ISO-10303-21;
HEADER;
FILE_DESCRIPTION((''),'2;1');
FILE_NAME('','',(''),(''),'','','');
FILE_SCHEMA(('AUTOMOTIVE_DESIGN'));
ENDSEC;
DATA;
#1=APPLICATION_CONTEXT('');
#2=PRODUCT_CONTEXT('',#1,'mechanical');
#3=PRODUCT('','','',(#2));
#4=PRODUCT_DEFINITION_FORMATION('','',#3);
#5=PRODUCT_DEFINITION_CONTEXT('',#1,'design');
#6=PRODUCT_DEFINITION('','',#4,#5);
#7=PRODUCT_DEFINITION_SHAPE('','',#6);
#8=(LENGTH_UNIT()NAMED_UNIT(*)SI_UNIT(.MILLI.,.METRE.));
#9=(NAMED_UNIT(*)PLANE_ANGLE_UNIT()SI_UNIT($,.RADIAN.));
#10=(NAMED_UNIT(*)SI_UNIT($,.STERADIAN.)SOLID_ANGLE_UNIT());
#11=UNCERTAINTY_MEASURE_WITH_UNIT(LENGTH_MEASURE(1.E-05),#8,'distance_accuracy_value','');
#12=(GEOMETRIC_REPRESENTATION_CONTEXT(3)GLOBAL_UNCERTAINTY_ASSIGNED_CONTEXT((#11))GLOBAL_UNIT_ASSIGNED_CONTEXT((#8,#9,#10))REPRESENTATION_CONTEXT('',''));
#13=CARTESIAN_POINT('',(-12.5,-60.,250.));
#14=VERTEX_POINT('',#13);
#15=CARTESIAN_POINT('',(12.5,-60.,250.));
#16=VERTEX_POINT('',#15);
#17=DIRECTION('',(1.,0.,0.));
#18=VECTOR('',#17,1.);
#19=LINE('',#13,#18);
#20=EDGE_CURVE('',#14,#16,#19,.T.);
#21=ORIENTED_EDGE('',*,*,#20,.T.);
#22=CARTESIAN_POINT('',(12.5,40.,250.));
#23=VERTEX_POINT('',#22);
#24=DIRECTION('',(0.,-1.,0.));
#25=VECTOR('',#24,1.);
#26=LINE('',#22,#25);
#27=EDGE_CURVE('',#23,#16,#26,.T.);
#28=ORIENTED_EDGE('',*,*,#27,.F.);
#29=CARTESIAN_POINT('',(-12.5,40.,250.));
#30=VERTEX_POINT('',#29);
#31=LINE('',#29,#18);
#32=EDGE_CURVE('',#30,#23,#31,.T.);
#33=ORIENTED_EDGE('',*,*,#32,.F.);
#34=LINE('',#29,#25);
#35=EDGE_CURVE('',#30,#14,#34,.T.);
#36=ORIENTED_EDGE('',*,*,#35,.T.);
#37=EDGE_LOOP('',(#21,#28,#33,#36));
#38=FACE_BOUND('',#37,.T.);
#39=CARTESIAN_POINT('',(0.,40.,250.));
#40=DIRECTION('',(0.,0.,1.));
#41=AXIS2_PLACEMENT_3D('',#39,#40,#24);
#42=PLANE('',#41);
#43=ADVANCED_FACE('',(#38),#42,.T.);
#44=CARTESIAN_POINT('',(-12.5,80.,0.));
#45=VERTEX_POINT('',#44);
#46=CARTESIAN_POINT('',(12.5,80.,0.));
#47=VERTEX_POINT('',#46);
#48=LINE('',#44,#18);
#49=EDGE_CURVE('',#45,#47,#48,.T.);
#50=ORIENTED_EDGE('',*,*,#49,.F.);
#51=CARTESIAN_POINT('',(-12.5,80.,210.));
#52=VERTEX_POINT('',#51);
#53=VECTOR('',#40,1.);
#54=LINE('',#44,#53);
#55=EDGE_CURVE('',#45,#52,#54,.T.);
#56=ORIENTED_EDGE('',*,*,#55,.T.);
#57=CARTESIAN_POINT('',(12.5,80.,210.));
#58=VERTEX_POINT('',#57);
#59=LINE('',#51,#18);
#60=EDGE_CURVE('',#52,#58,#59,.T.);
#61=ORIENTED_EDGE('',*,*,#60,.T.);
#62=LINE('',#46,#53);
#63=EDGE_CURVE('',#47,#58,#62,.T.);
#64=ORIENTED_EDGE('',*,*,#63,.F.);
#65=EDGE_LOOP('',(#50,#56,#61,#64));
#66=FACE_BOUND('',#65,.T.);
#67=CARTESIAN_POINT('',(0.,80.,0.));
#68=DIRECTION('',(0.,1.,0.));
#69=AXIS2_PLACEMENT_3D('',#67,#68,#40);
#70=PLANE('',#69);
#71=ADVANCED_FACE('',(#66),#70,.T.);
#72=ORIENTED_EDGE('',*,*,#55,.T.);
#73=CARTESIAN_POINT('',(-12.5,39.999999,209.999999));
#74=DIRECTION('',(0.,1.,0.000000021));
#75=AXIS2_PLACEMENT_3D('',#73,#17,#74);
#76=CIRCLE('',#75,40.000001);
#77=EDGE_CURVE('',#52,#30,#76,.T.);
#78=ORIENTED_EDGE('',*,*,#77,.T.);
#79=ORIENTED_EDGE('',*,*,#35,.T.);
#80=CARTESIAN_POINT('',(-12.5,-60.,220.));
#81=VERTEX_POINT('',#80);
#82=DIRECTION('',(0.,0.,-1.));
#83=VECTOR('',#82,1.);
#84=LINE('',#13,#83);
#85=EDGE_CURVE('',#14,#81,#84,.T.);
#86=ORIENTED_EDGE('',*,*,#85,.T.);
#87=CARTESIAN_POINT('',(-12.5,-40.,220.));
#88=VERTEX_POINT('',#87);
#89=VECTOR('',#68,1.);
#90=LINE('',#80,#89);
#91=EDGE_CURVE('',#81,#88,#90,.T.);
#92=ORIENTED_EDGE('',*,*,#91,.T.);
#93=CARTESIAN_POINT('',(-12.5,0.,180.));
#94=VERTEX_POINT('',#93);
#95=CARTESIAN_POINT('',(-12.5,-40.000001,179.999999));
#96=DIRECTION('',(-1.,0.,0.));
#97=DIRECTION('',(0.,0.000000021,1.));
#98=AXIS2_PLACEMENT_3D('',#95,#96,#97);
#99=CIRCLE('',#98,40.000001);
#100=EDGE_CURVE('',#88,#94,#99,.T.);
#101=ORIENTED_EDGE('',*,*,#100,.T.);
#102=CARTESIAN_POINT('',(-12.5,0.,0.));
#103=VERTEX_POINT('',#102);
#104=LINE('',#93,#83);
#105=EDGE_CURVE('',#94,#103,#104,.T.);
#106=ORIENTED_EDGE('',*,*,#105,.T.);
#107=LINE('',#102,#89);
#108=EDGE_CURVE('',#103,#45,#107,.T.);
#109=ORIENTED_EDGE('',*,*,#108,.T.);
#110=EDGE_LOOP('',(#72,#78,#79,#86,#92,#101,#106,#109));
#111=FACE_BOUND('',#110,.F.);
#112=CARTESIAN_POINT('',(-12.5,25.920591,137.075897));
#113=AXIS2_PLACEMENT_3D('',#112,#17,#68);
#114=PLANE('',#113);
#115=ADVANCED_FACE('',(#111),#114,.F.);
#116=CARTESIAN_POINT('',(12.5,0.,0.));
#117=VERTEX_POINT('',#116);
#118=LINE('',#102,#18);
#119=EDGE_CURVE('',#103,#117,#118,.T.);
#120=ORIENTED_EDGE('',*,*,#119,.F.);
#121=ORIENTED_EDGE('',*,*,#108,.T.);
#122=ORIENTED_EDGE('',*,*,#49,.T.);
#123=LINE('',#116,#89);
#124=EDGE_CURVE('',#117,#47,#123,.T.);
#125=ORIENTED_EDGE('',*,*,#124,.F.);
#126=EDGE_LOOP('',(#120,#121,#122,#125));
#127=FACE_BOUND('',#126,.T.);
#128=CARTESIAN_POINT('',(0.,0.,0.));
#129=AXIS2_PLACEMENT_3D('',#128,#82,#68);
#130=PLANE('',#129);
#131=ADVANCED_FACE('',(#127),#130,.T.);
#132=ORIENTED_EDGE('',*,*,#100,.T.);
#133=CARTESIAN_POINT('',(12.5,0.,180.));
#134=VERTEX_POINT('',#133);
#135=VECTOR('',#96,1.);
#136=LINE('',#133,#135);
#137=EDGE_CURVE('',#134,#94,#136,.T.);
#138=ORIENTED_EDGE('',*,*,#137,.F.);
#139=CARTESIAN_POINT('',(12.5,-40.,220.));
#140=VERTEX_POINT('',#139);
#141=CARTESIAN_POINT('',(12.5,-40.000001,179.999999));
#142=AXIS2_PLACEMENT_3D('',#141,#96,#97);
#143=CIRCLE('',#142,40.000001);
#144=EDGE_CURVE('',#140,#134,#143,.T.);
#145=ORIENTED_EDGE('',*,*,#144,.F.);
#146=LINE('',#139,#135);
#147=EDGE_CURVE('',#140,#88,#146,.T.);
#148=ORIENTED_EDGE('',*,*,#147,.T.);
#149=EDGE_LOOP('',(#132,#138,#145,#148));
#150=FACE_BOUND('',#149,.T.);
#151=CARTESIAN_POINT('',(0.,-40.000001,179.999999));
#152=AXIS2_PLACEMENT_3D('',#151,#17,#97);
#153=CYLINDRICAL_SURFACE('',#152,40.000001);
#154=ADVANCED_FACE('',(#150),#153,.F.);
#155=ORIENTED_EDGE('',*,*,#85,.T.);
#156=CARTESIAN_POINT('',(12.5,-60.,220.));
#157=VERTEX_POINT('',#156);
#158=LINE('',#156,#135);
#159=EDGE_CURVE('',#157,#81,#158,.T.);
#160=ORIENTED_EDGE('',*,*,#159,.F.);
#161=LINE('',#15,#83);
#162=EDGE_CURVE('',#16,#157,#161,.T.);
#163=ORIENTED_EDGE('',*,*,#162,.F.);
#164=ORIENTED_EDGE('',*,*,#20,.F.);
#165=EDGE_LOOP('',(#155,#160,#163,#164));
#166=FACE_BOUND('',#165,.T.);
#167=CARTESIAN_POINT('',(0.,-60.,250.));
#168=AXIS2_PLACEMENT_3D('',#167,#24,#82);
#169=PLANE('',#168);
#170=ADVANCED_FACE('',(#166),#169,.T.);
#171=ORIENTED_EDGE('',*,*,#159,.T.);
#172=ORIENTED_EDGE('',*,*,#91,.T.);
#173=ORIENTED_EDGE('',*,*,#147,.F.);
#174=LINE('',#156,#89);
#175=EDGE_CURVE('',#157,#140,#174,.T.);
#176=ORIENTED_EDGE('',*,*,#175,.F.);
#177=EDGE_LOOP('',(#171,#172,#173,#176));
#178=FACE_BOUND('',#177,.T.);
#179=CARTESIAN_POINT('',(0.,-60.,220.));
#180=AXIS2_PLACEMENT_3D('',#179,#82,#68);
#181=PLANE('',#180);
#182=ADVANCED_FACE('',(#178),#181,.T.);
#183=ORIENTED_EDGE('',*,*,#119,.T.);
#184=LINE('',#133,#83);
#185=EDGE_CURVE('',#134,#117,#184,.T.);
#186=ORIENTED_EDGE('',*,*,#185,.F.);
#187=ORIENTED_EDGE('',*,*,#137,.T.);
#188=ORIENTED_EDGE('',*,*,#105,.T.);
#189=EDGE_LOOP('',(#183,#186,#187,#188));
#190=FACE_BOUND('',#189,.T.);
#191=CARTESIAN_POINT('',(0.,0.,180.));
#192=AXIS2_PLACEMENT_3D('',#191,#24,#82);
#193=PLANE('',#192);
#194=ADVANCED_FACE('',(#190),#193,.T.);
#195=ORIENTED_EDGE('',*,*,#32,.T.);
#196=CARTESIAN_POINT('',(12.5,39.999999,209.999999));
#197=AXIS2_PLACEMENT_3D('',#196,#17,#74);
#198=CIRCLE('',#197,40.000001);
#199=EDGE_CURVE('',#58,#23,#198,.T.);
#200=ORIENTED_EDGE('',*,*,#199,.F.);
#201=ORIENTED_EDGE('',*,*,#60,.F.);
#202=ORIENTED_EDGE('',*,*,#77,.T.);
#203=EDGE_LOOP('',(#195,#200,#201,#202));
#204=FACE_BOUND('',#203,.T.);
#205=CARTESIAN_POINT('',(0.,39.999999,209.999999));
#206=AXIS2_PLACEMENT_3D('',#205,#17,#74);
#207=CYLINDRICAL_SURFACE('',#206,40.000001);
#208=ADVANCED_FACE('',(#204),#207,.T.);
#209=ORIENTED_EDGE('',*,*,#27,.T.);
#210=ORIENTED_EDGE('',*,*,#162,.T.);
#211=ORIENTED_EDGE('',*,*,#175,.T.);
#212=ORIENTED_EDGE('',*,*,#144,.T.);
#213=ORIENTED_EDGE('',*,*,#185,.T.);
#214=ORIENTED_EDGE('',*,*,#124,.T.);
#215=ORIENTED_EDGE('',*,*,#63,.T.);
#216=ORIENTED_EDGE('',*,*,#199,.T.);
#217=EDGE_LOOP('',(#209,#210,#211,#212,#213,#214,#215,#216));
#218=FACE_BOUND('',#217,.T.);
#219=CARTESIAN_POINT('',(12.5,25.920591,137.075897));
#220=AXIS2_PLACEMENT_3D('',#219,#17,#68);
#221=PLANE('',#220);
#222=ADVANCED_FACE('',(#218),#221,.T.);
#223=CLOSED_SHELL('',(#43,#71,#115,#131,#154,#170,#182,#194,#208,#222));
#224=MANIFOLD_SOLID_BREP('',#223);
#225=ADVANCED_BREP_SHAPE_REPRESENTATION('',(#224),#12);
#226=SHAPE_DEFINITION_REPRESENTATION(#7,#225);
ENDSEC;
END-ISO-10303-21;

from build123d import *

# Parameters (mm, degrees)
F1_DEPTH = 12.5


with BuildPart() as f1:
    # F0 (on Right) → F1 (new body, symmetric)
    with BuildSketch(Plane.YZ):
        with BuildLine():
            Line((0, 180), (0, 0))
            Line((0, 0), (80, 0))
            Line((80, 0), (80, 210))
            ThreePointArc((80, 210), (68.284271, 238.284271), (40, 250))
            Line((40, 250), (-60, 250))
            Line((-60, 250), (-60, 220))
            Line((-60, 220), (-40, 220))
            ThreePointArc((-40, 220), (-11.715729, 208.284271), (0, 180))
        make_face()
    extrude(amount=F1_DEPTH, both=True)


solid = f1.part
